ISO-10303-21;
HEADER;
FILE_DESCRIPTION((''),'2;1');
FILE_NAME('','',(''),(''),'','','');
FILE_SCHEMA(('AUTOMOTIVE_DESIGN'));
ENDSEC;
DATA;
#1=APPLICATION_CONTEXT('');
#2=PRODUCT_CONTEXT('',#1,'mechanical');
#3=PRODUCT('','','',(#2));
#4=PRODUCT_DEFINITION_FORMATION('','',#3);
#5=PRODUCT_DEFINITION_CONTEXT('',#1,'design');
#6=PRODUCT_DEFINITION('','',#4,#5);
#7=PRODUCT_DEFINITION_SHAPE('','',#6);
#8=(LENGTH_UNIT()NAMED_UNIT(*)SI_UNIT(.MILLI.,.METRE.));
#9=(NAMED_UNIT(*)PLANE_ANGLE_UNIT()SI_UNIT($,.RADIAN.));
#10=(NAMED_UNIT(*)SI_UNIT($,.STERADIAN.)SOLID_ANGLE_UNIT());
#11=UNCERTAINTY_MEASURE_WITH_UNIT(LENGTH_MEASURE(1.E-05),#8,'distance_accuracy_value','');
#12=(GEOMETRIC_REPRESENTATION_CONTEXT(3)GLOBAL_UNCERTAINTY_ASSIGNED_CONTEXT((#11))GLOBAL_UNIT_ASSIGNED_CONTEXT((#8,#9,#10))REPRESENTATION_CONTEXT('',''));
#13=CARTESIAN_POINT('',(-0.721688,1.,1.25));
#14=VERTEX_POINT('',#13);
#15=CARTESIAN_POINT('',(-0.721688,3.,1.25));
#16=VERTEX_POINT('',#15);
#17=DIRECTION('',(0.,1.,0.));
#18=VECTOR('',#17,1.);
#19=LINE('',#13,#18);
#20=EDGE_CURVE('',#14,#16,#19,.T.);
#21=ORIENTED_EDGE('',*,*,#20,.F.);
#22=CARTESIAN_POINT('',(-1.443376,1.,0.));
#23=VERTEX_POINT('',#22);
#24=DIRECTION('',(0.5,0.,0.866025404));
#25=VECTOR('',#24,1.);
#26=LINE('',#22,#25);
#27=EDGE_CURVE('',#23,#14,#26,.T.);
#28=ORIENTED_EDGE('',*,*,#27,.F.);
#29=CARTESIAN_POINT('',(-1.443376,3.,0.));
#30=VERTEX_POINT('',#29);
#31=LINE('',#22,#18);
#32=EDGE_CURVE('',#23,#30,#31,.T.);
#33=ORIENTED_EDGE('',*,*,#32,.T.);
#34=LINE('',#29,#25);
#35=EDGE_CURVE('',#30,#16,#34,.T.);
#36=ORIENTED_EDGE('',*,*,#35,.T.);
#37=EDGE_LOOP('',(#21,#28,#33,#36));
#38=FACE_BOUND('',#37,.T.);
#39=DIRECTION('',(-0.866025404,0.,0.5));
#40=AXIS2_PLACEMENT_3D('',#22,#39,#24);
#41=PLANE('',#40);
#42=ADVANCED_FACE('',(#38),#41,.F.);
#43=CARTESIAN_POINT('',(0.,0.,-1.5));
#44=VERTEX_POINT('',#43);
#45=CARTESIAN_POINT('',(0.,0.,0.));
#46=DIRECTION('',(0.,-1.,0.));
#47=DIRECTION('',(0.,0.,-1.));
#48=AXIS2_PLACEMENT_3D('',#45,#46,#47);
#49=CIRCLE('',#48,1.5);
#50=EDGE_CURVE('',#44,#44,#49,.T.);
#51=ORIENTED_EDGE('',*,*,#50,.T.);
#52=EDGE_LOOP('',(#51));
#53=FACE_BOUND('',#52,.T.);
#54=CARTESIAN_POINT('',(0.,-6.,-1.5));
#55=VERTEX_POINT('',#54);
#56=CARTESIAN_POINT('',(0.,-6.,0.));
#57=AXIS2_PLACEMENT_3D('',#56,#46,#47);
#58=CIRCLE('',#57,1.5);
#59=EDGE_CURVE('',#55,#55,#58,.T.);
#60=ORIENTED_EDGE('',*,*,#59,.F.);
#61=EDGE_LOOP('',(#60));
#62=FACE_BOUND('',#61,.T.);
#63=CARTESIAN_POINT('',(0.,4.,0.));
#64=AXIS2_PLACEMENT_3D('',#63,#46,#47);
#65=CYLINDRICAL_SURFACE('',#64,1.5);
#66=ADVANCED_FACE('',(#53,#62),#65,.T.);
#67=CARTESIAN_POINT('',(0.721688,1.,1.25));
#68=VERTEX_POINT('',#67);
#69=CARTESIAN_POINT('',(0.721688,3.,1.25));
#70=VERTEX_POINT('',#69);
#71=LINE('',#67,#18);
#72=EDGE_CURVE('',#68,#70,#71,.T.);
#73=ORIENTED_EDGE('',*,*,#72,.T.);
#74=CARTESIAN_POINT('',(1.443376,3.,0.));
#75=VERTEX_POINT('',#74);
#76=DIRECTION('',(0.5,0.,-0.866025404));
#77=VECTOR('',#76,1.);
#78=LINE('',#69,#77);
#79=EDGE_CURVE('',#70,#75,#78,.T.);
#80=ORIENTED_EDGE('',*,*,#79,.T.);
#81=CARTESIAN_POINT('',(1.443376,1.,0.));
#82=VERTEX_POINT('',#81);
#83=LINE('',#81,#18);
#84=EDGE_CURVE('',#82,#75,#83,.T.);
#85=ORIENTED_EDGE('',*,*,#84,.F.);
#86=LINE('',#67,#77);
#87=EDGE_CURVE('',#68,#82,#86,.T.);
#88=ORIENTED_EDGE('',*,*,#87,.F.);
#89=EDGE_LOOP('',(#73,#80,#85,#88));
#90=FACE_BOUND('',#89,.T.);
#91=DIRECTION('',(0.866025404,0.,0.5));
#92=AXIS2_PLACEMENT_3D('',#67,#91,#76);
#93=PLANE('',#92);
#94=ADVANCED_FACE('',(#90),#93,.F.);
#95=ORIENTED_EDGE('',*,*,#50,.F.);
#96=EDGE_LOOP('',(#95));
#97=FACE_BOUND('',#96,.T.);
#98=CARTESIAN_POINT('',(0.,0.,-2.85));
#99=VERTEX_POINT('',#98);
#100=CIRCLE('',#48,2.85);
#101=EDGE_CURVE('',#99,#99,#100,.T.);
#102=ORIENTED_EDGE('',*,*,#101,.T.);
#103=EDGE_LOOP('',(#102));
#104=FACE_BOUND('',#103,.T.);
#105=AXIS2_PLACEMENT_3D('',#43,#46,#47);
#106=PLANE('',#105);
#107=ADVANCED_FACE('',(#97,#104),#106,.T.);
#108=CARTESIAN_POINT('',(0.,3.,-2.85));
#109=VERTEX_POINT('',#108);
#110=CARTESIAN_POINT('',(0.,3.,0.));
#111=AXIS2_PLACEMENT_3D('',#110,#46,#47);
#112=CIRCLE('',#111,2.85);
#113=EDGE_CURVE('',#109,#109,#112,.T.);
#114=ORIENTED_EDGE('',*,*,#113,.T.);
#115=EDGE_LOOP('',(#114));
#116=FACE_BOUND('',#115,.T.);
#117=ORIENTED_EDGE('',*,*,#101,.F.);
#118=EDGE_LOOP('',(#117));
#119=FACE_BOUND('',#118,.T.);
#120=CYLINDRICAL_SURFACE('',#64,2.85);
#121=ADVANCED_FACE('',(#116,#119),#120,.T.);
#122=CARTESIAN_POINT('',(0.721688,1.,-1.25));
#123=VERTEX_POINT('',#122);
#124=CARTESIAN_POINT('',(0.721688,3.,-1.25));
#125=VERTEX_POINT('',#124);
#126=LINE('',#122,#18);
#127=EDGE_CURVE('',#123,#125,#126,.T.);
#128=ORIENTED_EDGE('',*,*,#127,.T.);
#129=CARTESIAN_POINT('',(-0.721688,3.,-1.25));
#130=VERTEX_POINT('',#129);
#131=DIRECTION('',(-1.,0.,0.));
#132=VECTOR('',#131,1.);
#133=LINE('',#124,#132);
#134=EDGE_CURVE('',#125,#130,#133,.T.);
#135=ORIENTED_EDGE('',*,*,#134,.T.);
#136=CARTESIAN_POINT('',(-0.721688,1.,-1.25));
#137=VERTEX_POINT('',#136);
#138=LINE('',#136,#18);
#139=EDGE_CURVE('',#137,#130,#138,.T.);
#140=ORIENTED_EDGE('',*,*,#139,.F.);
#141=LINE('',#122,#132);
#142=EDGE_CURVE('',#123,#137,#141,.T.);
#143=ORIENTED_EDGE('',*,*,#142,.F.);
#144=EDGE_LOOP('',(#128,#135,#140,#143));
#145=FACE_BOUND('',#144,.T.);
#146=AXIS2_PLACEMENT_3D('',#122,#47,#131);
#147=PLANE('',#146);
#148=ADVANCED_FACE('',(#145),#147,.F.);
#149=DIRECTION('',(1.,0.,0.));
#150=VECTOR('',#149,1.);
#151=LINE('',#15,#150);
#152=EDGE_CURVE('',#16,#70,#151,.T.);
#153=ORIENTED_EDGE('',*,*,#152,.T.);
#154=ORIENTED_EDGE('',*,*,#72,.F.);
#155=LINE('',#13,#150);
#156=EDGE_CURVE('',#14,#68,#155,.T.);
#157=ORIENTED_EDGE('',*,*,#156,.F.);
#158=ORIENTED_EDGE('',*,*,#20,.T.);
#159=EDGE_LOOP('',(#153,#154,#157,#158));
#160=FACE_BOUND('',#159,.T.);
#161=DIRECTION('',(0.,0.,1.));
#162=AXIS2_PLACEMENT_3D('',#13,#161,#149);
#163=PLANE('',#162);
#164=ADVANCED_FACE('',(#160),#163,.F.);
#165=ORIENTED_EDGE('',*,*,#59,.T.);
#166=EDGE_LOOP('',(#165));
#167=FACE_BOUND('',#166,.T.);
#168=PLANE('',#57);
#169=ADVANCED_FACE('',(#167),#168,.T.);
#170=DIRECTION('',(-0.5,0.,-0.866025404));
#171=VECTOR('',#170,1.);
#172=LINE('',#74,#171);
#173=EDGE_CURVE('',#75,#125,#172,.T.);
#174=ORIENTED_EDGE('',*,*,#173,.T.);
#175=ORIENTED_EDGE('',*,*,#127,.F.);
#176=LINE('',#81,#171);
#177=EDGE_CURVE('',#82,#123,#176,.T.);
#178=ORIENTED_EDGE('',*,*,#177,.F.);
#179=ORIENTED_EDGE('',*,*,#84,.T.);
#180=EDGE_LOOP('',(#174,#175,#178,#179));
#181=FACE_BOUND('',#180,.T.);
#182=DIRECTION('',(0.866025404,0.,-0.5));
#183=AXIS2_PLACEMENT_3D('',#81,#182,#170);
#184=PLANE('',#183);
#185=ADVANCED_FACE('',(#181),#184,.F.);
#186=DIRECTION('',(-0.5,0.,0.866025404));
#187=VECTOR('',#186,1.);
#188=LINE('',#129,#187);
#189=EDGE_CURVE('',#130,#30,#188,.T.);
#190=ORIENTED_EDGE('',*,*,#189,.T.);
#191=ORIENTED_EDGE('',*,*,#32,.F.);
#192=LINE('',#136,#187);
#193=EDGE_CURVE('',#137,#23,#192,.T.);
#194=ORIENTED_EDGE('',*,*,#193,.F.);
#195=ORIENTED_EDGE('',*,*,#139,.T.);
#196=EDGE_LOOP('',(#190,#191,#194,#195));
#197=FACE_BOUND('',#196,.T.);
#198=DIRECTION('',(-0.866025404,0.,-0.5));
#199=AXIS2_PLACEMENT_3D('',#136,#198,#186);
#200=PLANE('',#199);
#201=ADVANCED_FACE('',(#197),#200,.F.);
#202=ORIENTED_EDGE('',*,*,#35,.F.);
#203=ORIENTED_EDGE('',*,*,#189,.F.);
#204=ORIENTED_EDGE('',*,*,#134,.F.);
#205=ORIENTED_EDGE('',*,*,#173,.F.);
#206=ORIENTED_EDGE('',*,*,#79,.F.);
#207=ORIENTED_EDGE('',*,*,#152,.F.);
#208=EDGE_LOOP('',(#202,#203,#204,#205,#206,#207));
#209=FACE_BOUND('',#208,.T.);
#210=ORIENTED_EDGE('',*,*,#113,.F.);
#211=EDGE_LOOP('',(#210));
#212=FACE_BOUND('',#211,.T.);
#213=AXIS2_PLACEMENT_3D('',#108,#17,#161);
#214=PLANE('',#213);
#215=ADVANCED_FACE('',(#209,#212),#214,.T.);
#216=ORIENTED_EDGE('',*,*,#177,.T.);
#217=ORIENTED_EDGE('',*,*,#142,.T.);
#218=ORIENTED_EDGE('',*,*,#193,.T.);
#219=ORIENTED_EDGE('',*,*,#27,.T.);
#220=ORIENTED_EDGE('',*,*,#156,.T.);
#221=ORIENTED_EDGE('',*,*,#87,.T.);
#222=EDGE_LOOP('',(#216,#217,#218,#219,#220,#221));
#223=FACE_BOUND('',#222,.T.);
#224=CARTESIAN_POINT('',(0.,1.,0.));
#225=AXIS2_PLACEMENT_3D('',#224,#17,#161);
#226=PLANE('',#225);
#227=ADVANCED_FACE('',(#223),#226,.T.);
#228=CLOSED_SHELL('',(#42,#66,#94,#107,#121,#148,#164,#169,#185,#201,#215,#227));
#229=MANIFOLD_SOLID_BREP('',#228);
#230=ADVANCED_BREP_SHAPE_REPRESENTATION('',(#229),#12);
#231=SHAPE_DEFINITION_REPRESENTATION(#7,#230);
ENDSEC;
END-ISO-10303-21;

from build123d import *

# Parameters (mm, degrees)
CUT_EXTRUDE1_DEPTH = 2


with BuildPart() as part:
    # Sketch1 → Revolve1 (revolve)
    with BuildSketch(Plane(origin=(0, 0, 0), x_dir=(0, 0, -1), z_dir=(1, 0, 0))):
        Polygon((0, -6), (1.5, -6), (1.5, 0), (2.85, 0), (2.85, 3), (0, 3), align=None)
    revolve(axis=Axis((0, 4, 0), (0, 1, 0)))

    # Sketch3 → Cut-Extrude1 (cut)
    with BuildSketch(Plane(origin=(0, 3, 0), x_dir=(1, 0, 0), z_dir=(0, 1, 0))):
        Polygon((1.443375673, 0), (0.721687836, 1.25), (-0.721687836, 1.25), (-1.443375673, 0), (-0.721687836, -1.25), (0.721687836, -1.25), align=None)
    extrude(amount=-CUT_EXTRUDE1_DEPTH, mode=Mode.SUBTRACT)


solid = part.part
